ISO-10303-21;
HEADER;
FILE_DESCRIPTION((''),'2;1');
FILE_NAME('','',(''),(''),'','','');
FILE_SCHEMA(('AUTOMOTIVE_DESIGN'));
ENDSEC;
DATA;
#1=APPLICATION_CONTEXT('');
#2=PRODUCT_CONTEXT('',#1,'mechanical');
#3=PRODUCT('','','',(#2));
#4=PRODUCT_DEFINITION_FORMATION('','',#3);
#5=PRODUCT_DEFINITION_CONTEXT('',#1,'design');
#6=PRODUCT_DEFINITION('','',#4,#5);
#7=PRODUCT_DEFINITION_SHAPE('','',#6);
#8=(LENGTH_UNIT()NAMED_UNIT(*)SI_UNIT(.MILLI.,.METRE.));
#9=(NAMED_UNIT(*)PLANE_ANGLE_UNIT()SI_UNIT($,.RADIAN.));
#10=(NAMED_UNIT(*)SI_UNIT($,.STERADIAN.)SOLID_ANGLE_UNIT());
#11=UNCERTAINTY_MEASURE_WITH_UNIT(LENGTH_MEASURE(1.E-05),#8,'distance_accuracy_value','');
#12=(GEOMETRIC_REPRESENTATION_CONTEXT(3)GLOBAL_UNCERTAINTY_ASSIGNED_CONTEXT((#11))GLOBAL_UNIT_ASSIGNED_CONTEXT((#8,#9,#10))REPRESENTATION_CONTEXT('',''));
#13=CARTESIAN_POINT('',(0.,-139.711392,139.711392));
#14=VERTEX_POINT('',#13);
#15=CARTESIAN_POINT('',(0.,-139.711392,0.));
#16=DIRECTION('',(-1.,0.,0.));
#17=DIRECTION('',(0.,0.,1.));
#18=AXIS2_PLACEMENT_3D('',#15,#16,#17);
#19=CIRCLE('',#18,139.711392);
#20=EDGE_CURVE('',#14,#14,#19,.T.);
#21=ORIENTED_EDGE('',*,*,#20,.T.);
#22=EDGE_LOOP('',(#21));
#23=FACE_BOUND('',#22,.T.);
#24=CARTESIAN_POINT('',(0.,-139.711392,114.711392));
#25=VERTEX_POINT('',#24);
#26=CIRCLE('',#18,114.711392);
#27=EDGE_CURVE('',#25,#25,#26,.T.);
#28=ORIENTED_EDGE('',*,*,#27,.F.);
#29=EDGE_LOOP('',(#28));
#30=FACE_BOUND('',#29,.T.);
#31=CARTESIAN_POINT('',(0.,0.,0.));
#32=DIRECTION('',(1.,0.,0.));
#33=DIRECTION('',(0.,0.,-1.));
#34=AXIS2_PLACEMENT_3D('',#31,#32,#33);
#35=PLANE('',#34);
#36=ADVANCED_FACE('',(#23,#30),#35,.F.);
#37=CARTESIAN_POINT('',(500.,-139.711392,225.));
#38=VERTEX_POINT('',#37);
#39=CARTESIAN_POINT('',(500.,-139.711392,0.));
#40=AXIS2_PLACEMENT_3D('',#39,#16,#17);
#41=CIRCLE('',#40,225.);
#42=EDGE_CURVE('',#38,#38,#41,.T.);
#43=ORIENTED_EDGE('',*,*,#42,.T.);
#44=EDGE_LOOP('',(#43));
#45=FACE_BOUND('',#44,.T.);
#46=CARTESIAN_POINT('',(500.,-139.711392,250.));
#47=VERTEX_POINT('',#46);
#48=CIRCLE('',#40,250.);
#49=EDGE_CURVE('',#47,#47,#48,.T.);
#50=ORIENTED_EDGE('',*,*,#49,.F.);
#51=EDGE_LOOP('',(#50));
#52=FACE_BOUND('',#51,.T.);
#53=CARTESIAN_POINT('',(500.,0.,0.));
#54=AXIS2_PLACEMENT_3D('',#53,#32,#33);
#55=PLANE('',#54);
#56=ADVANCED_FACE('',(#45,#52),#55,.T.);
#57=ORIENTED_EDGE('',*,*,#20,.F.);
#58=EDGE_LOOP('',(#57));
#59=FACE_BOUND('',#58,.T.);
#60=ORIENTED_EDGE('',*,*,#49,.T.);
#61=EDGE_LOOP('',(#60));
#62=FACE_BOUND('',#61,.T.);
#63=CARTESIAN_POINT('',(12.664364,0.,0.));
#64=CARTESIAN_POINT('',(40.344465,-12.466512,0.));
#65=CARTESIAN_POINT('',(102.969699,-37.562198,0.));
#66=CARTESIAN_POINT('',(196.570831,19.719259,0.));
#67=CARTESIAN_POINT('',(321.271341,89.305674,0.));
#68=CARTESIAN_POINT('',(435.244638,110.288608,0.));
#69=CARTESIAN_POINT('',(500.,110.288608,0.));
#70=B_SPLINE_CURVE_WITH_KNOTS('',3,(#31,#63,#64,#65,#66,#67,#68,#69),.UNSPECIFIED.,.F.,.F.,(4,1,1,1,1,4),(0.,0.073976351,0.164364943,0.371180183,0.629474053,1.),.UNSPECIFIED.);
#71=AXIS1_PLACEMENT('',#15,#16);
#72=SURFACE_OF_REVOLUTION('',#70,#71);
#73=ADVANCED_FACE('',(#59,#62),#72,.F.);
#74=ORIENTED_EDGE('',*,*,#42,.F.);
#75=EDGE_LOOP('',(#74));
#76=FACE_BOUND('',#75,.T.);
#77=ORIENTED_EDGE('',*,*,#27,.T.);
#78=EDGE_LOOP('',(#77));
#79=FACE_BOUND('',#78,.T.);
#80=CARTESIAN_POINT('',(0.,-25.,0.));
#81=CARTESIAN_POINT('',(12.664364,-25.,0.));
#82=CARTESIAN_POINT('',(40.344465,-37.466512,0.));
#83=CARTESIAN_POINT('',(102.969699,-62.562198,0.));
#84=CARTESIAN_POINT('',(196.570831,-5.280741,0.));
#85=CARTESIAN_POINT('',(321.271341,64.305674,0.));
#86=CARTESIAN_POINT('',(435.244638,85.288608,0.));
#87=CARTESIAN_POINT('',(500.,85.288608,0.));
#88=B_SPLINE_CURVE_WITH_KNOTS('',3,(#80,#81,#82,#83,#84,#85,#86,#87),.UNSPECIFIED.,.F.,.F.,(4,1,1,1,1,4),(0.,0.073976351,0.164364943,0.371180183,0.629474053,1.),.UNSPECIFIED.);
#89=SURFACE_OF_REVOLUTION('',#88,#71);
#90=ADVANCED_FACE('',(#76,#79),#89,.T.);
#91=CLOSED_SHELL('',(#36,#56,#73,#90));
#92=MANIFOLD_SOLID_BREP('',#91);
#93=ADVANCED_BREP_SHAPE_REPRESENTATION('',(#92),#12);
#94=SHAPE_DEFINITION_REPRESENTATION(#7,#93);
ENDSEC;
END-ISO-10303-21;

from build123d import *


with BuildPart() as part:
    # Sketch2 → Revolve3 (revolve)
    with BuildSketch(Plane.XY):
        with BuildLine():
            add(Edge.make_bspline(
                [(0, 0), (12.664363865, 0), (40.344464525, -12.46651206), (102.969698775, -37.562198246), (196.570831128, 19.719259413), (321.271341379, 89.305673825), (435.244637534, 110.28860769), (500, 110.28860769)],
                knots=[0, 0, 0, 0, 0.073976351, 0.164364943, 0.371180183, 0.629474053, 1, 1, 1, 1], degree=3))
            Line((0, 0), (0, -25))
            add(Edge.make_bspline(
                [(0, -25), (12.664363865, -25), (40.344464525, -37.46651206), (102.969698775, -62.562198246), (196.570831128, -5.280740587), (321.271341379, 64.305673825), (435.244637534, 85.28860769), (500, 85.28860769)],
                knots=[0, 0, 0, 0, 0.073976351, 0.164364943, 0.371180183, 0.629474053, 1, 1, 1, 1], degree=3))
            Line((500, 85.28860769), (500, 110.28860769))
        make_face()
    revolve(axis=Axis((0, -139.71139231, 0), (1, 0, 0)))


solid = part.part
